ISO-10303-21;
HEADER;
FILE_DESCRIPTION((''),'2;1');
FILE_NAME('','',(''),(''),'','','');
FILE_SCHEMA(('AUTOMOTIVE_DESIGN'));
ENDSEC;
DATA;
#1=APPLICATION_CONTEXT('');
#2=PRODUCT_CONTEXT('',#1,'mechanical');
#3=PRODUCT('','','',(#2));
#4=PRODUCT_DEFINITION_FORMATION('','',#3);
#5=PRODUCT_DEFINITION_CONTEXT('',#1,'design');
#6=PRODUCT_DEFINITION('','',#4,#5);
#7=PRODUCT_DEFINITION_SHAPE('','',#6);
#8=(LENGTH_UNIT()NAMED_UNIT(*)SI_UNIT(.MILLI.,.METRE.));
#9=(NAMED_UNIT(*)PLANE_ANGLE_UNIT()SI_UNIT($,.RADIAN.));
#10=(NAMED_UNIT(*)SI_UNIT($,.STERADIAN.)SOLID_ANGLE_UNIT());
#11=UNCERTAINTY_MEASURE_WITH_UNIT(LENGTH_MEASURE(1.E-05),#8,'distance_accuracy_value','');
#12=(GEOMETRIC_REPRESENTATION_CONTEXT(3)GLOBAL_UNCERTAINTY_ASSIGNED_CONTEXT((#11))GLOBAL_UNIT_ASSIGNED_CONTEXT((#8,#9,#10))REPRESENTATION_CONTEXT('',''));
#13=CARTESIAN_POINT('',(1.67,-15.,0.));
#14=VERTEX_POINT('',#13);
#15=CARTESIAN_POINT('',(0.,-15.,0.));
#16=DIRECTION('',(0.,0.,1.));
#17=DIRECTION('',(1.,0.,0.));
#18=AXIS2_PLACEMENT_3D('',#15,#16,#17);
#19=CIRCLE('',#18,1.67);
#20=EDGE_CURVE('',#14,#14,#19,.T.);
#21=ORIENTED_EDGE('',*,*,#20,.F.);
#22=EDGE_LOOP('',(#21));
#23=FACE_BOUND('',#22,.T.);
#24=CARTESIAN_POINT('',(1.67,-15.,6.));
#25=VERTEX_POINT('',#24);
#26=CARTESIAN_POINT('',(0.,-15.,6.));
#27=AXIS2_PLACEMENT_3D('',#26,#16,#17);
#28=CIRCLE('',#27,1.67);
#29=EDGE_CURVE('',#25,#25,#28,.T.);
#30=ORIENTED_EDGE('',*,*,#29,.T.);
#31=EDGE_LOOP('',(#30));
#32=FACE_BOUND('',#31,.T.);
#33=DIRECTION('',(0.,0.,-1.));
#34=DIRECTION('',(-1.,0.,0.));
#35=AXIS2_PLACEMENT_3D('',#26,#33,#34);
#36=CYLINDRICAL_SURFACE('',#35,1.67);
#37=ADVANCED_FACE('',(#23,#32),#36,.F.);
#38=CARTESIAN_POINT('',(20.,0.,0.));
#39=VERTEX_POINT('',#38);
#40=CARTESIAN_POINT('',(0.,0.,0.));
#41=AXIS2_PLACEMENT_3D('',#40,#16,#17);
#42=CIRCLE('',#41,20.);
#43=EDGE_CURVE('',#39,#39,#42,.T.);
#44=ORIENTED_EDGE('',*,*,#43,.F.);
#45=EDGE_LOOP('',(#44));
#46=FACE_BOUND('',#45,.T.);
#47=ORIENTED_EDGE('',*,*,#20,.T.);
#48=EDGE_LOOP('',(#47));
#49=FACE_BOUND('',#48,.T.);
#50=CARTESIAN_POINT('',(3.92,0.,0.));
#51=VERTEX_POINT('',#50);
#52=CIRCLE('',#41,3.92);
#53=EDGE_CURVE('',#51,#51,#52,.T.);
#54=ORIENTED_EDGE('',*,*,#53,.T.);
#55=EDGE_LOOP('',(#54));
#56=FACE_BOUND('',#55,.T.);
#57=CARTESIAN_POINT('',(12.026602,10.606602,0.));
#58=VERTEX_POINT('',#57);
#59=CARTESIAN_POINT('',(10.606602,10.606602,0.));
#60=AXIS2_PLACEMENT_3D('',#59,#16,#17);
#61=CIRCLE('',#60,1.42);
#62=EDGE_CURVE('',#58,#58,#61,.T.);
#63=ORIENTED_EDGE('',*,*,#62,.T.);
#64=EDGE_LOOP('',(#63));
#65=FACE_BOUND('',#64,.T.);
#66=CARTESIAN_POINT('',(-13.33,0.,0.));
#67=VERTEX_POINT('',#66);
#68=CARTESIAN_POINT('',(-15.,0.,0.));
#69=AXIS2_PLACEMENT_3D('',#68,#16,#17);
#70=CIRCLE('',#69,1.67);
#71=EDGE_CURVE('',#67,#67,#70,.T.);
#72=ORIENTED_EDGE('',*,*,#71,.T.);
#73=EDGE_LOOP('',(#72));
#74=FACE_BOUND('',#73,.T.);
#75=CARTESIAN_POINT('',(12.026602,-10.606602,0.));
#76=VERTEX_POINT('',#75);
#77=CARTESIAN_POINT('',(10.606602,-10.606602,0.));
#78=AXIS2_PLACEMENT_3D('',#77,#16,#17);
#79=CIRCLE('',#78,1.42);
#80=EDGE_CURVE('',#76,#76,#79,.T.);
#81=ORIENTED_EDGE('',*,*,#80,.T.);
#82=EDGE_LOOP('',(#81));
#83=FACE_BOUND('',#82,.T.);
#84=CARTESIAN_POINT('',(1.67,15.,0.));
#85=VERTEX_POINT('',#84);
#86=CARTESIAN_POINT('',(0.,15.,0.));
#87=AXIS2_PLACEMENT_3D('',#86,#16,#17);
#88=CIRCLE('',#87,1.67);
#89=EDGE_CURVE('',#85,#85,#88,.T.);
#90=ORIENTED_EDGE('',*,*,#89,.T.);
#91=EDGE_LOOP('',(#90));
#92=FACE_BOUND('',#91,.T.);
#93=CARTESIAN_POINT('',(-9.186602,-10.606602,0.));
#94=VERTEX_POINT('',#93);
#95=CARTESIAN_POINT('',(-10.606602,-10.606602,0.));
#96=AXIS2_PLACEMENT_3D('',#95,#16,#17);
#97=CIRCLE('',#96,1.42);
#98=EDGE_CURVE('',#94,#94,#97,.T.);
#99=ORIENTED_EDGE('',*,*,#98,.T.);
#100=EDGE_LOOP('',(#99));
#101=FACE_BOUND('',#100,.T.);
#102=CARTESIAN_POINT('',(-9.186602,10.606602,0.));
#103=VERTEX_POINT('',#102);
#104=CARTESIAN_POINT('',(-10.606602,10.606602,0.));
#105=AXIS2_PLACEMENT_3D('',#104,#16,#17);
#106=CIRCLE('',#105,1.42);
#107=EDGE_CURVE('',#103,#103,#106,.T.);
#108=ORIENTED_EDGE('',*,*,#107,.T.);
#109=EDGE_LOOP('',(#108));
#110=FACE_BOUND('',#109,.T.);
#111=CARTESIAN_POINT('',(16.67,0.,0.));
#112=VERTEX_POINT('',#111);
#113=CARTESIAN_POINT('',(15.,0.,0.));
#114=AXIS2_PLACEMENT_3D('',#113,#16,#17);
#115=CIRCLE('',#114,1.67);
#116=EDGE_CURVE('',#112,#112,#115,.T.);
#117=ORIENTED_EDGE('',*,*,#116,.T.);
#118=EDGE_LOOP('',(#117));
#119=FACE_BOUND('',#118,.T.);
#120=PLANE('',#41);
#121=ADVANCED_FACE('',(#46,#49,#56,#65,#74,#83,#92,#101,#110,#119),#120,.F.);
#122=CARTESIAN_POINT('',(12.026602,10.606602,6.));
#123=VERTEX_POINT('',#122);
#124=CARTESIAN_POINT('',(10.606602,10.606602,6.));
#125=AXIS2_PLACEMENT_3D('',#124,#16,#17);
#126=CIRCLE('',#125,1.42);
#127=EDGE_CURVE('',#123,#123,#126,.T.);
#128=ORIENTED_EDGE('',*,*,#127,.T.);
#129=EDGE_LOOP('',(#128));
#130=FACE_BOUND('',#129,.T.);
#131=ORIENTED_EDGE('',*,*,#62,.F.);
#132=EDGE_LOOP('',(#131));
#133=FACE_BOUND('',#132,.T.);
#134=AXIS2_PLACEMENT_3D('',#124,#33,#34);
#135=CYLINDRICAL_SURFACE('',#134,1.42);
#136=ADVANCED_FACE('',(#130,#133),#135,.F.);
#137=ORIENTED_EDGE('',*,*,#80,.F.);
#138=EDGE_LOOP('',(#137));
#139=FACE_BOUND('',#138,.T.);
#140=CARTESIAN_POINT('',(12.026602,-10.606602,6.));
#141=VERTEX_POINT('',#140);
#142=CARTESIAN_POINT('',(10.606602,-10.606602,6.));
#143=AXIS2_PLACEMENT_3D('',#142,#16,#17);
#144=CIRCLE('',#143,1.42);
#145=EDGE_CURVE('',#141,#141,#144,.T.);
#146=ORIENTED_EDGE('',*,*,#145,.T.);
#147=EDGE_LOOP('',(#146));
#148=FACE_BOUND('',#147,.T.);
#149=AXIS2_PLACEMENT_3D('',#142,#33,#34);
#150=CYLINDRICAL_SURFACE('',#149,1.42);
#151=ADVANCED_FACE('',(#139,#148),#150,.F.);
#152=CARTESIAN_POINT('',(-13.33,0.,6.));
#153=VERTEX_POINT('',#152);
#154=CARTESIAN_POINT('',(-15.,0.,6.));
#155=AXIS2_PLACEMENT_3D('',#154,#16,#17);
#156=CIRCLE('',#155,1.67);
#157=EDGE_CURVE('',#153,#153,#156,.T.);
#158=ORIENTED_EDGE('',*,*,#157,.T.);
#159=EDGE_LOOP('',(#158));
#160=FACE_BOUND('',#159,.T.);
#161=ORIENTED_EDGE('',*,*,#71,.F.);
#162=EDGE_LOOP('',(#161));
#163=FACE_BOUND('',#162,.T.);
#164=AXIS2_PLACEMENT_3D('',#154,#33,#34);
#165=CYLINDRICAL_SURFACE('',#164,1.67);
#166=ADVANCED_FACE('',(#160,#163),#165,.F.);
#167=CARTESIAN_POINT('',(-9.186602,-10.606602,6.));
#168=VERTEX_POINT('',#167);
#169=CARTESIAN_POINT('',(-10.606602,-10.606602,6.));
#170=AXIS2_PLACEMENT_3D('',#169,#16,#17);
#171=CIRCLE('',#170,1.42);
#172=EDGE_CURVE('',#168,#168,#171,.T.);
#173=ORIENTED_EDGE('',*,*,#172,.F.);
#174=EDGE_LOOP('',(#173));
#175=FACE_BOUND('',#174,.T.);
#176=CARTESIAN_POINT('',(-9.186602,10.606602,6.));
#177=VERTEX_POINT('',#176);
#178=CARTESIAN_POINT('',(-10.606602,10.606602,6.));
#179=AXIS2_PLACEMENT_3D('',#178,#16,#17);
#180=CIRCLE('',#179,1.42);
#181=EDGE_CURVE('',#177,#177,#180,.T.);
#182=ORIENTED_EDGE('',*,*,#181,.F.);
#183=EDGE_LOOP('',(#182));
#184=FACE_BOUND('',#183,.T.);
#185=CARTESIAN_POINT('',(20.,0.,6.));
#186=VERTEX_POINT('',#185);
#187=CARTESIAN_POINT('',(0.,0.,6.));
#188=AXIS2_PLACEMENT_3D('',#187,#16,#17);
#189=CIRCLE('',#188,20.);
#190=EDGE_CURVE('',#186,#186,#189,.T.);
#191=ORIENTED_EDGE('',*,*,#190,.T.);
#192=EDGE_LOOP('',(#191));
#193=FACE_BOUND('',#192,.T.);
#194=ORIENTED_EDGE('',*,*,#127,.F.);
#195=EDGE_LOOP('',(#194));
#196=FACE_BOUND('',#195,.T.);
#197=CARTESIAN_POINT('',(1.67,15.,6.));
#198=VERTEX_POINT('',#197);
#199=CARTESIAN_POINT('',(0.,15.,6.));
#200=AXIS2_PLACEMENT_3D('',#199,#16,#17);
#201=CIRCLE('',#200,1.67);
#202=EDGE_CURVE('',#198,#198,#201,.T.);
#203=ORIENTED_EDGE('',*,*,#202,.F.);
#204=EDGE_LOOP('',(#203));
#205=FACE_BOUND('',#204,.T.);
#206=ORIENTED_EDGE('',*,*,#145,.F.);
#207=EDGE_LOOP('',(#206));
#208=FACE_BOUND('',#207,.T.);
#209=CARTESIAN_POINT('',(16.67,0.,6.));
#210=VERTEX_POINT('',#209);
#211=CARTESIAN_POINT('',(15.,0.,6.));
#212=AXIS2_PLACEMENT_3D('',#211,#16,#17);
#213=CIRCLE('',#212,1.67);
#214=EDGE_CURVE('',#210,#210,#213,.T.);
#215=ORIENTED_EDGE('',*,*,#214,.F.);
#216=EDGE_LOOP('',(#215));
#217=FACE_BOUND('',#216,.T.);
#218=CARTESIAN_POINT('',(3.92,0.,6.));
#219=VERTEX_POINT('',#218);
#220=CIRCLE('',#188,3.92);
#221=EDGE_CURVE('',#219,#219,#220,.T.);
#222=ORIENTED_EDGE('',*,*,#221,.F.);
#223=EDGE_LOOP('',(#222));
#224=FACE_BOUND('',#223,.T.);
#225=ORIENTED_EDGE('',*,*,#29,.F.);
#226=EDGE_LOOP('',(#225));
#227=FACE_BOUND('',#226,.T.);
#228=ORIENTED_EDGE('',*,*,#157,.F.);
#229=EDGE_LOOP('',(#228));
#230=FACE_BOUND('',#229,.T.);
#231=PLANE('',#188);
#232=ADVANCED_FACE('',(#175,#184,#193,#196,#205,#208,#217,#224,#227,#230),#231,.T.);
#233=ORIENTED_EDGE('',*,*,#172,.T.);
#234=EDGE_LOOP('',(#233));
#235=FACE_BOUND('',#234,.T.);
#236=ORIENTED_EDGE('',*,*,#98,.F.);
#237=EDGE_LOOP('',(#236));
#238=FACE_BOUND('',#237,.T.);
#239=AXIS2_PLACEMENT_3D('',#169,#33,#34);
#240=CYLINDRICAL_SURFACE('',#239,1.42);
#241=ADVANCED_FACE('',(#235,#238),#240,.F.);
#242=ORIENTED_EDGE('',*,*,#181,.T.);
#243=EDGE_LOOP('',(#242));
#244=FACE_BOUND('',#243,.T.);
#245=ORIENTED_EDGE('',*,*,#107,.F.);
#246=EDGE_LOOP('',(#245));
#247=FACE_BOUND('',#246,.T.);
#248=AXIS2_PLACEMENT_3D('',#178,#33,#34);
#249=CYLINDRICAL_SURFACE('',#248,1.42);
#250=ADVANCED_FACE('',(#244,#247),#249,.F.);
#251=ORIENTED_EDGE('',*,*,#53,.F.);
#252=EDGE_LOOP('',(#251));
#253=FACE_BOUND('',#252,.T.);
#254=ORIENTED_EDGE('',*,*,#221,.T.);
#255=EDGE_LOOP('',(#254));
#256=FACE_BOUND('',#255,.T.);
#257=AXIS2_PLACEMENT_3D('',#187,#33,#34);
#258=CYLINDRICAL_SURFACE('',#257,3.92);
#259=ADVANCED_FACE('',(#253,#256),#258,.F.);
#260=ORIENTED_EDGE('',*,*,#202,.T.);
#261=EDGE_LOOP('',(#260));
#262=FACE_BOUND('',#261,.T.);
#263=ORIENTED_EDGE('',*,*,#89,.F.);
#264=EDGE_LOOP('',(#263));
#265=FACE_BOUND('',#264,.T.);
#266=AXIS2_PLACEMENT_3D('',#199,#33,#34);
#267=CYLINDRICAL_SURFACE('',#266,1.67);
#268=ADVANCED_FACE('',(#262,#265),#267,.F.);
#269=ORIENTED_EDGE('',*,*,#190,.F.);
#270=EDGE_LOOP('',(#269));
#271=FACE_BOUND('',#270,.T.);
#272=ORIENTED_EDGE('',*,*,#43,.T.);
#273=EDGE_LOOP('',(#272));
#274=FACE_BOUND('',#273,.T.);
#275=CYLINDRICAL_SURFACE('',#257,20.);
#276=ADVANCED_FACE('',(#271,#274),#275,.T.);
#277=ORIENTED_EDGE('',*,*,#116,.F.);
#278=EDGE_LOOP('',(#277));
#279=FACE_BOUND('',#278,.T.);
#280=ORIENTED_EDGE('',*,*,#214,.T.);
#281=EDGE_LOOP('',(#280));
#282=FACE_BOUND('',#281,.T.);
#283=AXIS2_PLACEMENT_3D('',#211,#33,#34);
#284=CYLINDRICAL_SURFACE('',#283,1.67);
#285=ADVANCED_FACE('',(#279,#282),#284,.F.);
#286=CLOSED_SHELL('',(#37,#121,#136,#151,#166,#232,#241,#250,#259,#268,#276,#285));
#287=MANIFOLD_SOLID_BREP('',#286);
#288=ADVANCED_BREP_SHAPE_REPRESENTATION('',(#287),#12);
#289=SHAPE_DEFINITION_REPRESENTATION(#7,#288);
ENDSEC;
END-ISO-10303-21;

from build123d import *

# Parameters (mm, degrees)
SKETCH1_R           = 20
SKETCH1_R_2         = 4
SKETCH1_R_3         = 1.75
SKETCH1_R_4         = 1.5
BOSS_EXTRUDE1_DEPTH = 6
MOVE_FACE2_BY       = 0.08
MOVE_FACE2_2_BY     = 0.08
MOVE_FACE2_3_BY     = 0.08
MOVE_FACE2_4_BY     = 0.08
MOVE_FACE2_5_BY     = 0.08
MOVE_FACE2_6_BY     = 0.08
MOVE_FACE2_7_BY     = 0.08
MOVE_FACE2_8_BY     = 0.08
MOVE_FACE2_9_BY     = 0.08


with BuildPart() as part:
    # Sketch1 → Boss-Extrude1 (new body)
    with BuildSketch(Plane.XY):
        Circle(SKETCH1_R)
        Circle(SKETCH1_R_2, mode=Mode.SUBTRACT)
        with Locations((0, 15)):
            Circle(SKETCH1_R_3, mode=Mode.SUBTRACT)
        with Locations((10.606601718, 10.606601718)):
            Circle(SKETCH1_R_4, mode=Mode.SUBTRACT)
        with Locations((15, 0)):
            Circle(SKETCH1_R_3, mode=Mode.SUBTRACT)
        with Locations((10.606601718, -10.606601718)):
            Circle(SKETCH1_R_4, mode=Mode.SUBTRACT)
        with Locations((0, -15)):
            Circle(SKETCH1_R_3, mode=Mode.SUBTRACT)
        with Locations((-10.606601718, -10.606601718)):
            Circle(SKETCH1_R_4, mode=Mode.SUBTRACT)
        with Locations((-15, 0)):
            Circle(SKETCH1_R_3, mode=Mode.SUBTRACT)
        with Locations((-10.606601718, 10.606601718)):
            Circle(SKETCH1_R_4, mode=Mode.SUBTRACT)
    extrude(amount=BOSS_EXTRUDE1_DEPTH)

    # Move Face2: a curved face moved outward by 0.08
    add(Solid.thicken(part.faces().sort_by_distance((-4, 0, 3))[0], MOVE_FACE2_BY))

    # Move Face2 2: a curved face moved outward by 0.08
    add(Solid.thicken(part.faces().sort_by_distance((-1.75, 15, 3))[0], MOVE_FACE2_2_BY))

    # Move Face2 3: a curved face moved outward by 0.08
    add(Solid.thicken(part.faces().sort_by_distance((9.106601718, 10.606601718, 3))[0], MOVE_FACE2_3_BY))

    # Move Face2 4: a curved face moved outward by 0.08
    add(Solid.thicken(part.faces().sort_by_distance((13.25, 0, 3))[0], MOVE_FACE2_4_BY))

    # Move Face2 5: a curved face moved outward by 0.08
    add(Solid.thicken(part.faces().sort_by_distance((9.106601718, -10.606601718, 3))[0], MOVE_FACE2_5_BY))

    # Move Face2 6: a curved face moved outward by 0.08
    add(Solid.thicken(part.faces().sort_by_distance((-1.75, -15, 3))[0], MOVE_FACE2_6_BY))

    # Move Face2 7: a curved face moved outward by 0.08
    add(Solid.thicken(part.faces().sort_by_distance((-12.106601718, -10.606601718, 3))[0], MOVE_FACE2_7_BY))

    # Move Face2 8: a curved face moved outward by 0.08
    add(Solid.thicken(part.faces().sort_by_distance((-16.75, 0, 3))[0], MOVE_FACE2_8_BY))

    # Move Face2 9: a curved face moved outward by 0.08
    add(Solid.thicken(part.faces().sort_by_distance((-12.106601718, 10.606601718, 3))[0], MOVE_FACE2_9_BY))


solid = part.part
